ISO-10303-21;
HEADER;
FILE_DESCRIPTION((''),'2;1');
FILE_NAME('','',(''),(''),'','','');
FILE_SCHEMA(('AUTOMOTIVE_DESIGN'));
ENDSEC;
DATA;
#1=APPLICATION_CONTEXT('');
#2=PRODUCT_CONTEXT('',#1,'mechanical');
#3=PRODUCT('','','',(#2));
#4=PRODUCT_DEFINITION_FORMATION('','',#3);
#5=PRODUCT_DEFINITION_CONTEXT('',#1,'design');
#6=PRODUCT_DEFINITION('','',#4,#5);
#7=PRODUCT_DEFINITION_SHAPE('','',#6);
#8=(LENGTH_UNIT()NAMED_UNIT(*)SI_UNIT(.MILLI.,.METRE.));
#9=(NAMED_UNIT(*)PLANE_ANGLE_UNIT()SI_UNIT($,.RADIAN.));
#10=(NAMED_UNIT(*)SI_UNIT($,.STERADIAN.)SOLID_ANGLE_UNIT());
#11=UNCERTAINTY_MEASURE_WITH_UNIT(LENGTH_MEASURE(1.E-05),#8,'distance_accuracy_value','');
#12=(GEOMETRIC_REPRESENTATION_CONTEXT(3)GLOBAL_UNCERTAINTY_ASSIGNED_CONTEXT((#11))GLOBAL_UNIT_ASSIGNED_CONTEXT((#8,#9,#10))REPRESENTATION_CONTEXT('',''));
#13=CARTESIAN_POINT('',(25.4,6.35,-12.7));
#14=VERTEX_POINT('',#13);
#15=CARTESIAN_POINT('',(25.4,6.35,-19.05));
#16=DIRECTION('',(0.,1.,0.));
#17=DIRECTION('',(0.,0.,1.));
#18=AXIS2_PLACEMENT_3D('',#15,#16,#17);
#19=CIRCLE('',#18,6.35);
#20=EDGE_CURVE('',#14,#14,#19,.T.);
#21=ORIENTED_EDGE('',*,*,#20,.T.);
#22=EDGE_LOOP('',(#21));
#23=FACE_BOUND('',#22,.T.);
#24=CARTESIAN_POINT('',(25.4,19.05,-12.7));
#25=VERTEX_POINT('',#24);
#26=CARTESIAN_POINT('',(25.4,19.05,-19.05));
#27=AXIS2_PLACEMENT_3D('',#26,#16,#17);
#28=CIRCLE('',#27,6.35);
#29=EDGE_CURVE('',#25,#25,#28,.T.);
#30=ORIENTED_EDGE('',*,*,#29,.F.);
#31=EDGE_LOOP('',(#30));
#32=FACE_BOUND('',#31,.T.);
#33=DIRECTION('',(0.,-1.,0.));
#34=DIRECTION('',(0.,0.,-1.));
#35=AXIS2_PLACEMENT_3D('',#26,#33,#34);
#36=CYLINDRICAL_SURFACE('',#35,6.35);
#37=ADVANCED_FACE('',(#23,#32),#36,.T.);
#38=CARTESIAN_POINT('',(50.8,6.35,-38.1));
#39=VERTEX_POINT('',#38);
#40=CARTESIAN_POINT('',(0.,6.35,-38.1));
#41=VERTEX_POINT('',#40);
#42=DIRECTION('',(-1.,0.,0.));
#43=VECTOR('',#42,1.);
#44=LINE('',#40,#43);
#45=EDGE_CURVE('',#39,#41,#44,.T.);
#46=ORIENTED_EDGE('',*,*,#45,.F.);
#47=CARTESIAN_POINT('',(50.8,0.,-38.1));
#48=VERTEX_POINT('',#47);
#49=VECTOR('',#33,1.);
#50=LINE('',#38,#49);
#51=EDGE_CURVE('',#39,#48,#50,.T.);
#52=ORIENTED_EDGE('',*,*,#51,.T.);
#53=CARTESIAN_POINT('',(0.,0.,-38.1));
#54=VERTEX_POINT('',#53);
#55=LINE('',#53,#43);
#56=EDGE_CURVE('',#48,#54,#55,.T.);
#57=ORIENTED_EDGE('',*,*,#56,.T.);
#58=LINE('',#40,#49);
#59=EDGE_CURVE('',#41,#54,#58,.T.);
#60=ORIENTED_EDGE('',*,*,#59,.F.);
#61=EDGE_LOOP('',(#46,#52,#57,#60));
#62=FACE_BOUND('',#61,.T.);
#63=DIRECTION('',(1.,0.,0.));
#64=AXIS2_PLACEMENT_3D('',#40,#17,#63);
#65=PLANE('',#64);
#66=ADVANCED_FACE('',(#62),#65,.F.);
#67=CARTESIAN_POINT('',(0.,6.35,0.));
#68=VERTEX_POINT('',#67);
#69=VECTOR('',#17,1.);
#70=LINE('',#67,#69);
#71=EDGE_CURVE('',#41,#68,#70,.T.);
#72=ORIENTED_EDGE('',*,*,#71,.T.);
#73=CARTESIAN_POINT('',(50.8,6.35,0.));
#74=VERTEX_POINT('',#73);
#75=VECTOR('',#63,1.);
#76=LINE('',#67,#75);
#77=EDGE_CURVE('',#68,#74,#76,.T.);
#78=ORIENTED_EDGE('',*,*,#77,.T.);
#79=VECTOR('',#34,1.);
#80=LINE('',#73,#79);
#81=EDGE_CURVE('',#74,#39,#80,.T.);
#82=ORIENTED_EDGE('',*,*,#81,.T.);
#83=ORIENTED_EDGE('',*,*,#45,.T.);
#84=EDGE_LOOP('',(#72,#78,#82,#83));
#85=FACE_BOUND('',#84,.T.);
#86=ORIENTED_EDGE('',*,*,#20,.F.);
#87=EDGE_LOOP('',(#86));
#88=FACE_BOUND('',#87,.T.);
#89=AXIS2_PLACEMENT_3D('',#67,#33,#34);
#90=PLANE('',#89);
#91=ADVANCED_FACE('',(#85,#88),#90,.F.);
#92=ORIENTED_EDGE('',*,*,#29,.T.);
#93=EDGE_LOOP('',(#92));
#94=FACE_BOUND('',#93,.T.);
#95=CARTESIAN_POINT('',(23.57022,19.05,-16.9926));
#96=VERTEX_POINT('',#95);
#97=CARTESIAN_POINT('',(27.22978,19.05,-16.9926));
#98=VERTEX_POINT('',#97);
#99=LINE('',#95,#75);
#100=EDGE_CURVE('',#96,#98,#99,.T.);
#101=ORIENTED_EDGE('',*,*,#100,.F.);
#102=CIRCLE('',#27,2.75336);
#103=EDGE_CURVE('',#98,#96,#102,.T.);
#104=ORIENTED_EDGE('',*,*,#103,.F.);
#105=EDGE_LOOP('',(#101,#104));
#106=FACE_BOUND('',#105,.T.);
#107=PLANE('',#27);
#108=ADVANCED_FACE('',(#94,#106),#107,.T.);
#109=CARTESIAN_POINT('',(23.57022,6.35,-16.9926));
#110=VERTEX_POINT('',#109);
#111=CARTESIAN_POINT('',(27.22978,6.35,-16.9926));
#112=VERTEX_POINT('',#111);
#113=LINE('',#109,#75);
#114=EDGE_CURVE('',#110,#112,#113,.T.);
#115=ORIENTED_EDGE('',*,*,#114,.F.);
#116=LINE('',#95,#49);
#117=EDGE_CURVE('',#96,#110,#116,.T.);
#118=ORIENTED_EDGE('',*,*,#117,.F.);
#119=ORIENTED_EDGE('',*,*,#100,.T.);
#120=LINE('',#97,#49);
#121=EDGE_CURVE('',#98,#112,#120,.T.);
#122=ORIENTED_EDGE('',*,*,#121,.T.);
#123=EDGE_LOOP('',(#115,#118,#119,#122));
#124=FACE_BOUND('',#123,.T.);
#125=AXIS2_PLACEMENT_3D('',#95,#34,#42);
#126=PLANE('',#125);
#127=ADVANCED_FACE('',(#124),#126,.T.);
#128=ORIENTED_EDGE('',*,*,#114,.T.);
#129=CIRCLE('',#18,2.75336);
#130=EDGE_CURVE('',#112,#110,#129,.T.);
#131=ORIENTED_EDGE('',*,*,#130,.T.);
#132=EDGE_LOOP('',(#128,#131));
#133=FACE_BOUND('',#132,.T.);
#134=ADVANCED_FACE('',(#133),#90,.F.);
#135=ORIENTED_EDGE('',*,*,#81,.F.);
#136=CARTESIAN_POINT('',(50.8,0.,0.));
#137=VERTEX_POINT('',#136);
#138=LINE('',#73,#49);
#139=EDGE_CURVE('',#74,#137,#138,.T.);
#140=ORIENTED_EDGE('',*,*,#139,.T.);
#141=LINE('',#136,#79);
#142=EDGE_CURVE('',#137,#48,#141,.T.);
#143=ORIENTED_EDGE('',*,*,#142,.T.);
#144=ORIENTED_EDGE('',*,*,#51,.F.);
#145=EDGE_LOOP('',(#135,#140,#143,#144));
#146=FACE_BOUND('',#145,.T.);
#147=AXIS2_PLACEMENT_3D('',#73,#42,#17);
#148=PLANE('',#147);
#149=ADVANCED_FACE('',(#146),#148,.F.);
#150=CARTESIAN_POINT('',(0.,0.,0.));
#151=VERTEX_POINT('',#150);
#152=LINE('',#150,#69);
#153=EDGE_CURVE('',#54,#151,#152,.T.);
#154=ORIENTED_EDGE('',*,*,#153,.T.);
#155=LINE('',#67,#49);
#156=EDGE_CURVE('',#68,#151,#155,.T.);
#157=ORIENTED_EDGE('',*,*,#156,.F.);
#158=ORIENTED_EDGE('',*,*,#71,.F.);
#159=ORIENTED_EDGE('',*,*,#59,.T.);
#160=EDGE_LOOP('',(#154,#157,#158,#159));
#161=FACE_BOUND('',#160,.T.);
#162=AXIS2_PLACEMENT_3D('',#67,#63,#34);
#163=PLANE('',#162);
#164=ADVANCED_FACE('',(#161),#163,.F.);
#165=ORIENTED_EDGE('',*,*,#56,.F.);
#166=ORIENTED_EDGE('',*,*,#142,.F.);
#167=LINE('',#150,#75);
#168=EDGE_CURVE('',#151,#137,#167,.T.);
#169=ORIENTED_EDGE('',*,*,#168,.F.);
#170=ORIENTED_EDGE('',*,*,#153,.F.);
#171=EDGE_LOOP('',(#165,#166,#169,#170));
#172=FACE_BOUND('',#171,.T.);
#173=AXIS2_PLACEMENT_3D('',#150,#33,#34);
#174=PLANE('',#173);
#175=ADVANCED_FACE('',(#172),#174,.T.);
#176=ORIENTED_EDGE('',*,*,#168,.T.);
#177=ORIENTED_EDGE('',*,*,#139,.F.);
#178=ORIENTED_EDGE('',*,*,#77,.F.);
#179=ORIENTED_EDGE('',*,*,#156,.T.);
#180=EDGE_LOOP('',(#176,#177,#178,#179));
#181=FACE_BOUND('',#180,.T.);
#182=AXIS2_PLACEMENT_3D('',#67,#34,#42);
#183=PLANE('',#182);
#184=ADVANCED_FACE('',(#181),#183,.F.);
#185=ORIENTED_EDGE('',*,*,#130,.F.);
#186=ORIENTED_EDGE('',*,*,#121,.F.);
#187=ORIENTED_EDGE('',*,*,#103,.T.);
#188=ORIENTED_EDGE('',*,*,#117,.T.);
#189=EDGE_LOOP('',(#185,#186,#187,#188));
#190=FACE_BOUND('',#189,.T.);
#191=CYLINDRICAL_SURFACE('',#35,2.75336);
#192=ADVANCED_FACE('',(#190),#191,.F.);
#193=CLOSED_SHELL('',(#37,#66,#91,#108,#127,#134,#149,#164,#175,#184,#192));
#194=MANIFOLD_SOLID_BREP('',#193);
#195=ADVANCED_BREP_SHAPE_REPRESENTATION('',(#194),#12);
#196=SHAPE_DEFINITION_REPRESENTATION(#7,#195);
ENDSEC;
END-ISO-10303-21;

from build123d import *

# Parameters (mm, degrees)
SKETCH1_W           = 50.8
SKETCH1_H           = 38.1
BOSS_EXTRUDE1_DEPTH = 6.35
SKETCH2_R           = 6.35
BOSS_EXTRUDE2_DEPTH = 12.7


with BuildPart() as part:
    # Sketch1 → Boss-Extrude1 (new body)
    with BuildSketch(Plane(origin=(0, 0, 0), x_dir=(1, 0, 0), z_dir=(0, 1, 0))):
        with Locations((25.4, 19.05)):
            Rectangle(SKETCH1_W, SKETCH1_H)
    extrude(amount=BOSS_EXTRUDE1_DEPTH)

    # Sketch2 → Boss-Extrude2 (add)
    with BuildSketch(Plane(origin=(0, 6.35, 0), x_dir=(1, 0, 0), z_dir=(0, 1, 0))):
        with Locations(Location((25.4, 19.05, 0), (0, 0, 270))):
            Circle(SKETCH2_R)
        with BuildLine():
            Line((23.570219541, 16.9926), (27.229780459, 16.9926))
            ThreePointArc((27.229780459, 16.9926), (25.4, 21.80336), (23.570219541, 16.9926))
        make_face(mode=Mode.SUBTRACT)
    extrude(amount=BOSS_EXTRUDE2_DEPTH)


solid = part.part
